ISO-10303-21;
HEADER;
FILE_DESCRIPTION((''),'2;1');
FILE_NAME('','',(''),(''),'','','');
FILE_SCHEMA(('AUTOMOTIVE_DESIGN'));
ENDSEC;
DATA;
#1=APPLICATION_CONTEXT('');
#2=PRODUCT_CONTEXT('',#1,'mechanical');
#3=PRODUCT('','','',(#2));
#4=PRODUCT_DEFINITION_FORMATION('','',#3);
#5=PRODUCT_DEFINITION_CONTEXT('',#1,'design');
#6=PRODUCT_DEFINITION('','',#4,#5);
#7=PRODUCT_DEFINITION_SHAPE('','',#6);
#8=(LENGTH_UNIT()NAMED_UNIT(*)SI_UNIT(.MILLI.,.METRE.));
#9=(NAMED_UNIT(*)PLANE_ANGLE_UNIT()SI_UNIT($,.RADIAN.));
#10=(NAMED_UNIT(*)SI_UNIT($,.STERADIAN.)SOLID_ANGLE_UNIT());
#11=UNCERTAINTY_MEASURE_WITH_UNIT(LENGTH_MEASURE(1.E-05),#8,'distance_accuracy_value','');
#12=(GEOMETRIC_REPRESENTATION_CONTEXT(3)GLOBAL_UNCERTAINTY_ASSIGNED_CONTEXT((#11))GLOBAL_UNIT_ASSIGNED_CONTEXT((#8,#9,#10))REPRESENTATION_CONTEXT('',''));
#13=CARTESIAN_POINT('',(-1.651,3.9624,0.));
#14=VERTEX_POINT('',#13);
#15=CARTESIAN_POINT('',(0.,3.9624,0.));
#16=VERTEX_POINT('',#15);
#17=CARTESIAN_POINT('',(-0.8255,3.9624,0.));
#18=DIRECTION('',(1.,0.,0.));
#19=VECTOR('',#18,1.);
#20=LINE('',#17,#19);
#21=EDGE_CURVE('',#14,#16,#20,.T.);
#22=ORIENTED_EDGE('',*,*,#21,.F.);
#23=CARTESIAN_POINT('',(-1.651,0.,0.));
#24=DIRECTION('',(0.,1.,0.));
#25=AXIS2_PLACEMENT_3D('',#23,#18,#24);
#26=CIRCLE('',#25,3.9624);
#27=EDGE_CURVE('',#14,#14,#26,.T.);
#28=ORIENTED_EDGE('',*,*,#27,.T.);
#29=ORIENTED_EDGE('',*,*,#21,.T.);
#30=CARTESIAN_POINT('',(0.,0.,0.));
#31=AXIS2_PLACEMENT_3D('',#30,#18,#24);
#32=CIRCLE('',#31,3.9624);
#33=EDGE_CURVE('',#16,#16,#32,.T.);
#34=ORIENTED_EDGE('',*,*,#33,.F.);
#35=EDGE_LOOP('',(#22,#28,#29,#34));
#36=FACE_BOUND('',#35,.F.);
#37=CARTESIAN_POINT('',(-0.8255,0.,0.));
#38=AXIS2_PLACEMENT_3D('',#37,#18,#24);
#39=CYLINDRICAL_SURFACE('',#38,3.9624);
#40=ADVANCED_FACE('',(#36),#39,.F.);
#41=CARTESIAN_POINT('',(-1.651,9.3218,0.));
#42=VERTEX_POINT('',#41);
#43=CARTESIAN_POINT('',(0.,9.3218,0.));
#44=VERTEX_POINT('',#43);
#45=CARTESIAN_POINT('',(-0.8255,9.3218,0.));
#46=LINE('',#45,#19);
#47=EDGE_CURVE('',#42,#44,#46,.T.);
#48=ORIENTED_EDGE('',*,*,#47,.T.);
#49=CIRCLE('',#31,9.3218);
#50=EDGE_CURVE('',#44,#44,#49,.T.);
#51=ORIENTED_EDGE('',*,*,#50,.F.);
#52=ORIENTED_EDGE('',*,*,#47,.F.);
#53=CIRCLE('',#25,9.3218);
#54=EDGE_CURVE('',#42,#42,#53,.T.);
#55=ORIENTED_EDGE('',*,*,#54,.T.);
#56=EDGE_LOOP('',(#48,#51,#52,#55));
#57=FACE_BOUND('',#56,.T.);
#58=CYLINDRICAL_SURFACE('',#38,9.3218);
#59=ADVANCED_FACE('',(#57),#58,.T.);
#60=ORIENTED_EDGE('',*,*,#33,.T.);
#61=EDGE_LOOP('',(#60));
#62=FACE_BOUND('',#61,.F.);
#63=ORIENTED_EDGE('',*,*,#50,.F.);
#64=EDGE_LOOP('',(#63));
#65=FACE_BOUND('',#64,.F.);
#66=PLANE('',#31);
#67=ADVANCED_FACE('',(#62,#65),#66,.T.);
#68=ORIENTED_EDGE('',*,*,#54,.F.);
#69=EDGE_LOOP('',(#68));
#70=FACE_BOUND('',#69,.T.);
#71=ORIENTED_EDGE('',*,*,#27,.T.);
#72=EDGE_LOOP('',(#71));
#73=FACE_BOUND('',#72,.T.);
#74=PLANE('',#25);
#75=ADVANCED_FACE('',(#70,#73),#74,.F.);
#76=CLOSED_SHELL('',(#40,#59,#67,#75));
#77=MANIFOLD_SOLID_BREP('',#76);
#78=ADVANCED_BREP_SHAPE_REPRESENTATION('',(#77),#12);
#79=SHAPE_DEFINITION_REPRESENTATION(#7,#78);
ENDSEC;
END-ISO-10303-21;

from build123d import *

# Parameters (mm, degrees)
SKETCH1_W = 1.651
SKETCH1_H = 5.3594


with BuildPart() as part:
    # Sketch1 → Base-Revolve (revolve)
    with BuildSketch(Plane.XY):
        with Locations((-0.8255, 6.6421)):
            Rectangle(SKETCH1_W, SKETCH1_H)
    revolve(axis=Axis((-34.925, 0, 0), (1, 0, 0)))


solid = part.part
